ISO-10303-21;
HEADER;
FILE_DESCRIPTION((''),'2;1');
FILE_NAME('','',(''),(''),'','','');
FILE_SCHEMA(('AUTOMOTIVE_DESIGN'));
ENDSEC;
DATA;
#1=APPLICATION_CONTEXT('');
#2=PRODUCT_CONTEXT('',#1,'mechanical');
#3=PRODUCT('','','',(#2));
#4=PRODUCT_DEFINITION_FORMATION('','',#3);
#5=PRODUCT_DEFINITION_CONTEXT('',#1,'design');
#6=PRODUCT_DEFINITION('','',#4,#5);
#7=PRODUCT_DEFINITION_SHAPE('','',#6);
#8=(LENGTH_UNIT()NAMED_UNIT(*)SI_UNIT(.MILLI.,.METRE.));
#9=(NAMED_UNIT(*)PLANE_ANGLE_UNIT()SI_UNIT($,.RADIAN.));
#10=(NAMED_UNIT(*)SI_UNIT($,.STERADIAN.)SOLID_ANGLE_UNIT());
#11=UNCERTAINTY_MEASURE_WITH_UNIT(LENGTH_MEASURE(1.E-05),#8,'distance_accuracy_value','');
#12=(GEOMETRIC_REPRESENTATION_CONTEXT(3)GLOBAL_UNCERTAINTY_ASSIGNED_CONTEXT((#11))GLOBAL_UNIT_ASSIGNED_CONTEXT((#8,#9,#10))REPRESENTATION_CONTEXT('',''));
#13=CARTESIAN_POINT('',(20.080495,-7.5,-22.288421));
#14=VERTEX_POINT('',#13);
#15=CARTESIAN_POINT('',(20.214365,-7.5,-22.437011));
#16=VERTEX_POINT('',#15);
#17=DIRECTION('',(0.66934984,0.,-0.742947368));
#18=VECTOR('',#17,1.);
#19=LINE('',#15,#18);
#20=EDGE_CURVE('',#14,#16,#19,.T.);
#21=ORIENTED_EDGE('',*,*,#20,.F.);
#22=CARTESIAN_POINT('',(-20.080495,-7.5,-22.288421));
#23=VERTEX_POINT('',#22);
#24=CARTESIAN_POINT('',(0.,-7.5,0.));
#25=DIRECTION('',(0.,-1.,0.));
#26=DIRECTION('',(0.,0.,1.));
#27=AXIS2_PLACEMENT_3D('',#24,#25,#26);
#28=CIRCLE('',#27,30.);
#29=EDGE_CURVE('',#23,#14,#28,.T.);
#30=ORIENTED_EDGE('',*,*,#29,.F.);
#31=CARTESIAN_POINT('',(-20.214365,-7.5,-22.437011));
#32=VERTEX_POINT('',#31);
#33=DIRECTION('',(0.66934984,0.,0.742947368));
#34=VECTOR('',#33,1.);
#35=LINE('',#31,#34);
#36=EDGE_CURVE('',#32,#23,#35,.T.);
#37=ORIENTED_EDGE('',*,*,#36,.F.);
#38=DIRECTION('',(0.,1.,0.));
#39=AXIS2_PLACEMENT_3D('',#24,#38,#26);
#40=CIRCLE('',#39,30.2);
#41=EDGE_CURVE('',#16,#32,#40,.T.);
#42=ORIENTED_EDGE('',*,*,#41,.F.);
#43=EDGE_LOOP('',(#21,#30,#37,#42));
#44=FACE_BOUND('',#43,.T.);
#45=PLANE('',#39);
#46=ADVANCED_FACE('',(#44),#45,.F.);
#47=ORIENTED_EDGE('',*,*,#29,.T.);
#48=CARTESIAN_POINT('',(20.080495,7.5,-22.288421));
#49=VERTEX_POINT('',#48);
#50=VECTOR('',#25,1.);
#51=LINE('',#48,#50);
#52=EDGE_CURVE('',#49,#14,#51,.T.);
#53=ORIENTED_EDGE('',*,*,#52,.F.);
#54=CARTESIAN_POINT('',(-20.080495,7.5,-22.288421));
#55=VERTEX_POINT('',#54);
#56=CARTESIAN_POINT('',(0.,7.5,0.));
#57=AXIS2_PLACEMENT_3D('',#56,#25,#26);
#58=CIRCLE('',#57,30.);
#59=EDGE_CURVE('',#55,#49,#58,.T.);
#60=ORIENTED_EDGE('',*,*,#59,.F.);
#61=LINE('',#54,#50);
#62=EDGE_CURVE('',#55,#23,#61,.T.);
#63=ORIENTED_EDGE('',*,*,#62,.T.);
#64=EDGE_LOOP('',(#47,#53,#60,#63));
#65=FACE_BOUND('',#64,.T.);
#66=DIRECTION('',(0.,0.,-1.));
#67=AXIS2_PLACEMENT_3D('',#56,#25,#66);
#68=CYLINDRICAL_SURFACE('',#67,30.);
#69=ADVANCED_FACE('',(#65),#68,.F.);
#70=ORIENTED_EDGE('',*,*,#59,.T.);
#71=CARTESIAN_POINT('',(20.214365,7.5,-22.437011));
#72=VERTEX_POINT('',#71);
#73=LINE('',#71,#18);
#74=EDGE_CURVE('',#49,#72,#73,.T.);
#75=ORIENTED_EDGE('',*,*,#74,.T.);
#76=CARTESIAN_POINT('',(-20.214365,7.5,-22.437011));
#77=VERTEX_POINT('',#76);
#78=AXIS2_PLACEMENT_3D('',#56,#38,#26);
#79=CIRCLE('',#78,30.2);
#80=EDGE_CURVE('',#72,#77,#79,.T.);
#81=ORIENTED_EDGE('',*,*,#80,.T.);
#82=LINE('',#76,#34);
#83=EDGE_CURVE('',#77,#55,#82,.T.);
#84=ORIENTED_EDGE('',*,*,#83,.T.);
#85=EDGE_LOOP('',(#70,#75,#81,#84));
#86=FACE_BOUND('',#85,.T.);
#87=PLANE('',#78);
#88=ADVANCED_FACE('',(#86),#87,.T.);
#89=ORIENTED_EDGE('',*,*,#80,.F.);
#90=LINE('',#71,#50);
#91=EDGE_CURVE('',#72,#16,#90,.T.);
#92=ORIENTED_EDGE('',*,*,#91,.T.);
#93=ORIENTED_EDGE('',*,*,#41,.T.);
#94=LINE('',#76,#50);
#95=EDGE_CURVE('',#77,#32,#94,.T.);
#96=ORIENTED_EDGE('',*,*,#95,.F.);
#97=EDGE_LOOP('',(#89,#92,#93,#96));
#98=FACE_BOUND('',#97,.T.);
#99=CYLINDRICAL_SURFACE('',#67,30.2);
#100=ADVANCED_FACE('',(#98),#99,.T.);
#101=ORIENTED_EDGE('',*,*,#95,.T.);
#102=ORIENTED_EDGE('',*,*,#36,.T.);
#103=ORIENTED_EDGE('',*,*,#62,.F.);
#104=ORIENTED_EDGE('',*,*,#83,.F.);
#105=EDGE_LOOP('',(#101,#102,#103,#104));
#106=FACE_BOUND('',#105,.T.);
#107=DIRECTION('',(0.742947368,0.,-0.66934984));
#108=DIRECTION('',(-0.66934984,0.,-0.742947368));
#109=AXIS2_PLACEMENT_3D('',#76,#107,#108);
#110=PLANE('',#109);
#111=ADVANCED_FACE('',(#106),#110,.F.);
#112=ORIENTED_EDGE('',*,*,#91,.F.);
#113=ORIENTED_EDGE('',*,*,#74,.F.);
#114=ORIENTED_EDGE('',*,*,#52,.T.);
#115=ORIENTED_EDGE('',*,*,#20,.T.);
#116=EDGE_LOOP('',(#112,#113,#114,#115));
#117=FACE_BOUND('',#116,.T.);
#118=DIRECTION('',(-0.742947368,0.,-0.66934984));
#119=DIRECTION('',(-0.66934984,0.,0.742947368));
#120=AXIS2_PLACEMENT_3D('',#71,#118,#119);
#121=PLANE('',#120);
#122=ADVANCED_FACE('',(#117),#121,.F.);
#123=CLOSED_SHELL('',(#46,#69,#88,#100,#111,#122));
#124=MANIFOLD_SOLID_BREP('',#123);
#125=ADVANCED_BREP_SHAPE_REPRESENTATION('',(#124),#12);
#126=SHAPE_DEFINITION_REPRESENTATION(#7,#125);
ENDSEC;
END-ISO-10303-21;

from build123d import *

# Parameters (mm, degrees)
BOSS_EXTRUDE1_DEPTH = 7.5


with BuildPart() as part:
    # Sketch1 → Boss-Extrude1 (new body, symmetric)
    with BuildSketch(Plane(origin=(0, 0, 0), x_dir=(1, 0, 0), z_dir=(0, 1, 0))):
        with BuildLine():
            Line((-20.214365176, 22.437010508), (-20.080495208, 22.288421035))
            ThreePointArc((-20.080495208, 22.288421035), (0, 30), (20.080495208, 22.288421035))
            Line((20.080495208, 22.288421035), (20.214365176, 22.437010508))
            ThreePointArc((20.214365176, 22.437010508), (0, 30.2), (-20.214365176, 22.437010508))
        make_face()
    extrude(amount=BOSS_EXTRUDE1_DEPTH, both=True)


solid = part.part
